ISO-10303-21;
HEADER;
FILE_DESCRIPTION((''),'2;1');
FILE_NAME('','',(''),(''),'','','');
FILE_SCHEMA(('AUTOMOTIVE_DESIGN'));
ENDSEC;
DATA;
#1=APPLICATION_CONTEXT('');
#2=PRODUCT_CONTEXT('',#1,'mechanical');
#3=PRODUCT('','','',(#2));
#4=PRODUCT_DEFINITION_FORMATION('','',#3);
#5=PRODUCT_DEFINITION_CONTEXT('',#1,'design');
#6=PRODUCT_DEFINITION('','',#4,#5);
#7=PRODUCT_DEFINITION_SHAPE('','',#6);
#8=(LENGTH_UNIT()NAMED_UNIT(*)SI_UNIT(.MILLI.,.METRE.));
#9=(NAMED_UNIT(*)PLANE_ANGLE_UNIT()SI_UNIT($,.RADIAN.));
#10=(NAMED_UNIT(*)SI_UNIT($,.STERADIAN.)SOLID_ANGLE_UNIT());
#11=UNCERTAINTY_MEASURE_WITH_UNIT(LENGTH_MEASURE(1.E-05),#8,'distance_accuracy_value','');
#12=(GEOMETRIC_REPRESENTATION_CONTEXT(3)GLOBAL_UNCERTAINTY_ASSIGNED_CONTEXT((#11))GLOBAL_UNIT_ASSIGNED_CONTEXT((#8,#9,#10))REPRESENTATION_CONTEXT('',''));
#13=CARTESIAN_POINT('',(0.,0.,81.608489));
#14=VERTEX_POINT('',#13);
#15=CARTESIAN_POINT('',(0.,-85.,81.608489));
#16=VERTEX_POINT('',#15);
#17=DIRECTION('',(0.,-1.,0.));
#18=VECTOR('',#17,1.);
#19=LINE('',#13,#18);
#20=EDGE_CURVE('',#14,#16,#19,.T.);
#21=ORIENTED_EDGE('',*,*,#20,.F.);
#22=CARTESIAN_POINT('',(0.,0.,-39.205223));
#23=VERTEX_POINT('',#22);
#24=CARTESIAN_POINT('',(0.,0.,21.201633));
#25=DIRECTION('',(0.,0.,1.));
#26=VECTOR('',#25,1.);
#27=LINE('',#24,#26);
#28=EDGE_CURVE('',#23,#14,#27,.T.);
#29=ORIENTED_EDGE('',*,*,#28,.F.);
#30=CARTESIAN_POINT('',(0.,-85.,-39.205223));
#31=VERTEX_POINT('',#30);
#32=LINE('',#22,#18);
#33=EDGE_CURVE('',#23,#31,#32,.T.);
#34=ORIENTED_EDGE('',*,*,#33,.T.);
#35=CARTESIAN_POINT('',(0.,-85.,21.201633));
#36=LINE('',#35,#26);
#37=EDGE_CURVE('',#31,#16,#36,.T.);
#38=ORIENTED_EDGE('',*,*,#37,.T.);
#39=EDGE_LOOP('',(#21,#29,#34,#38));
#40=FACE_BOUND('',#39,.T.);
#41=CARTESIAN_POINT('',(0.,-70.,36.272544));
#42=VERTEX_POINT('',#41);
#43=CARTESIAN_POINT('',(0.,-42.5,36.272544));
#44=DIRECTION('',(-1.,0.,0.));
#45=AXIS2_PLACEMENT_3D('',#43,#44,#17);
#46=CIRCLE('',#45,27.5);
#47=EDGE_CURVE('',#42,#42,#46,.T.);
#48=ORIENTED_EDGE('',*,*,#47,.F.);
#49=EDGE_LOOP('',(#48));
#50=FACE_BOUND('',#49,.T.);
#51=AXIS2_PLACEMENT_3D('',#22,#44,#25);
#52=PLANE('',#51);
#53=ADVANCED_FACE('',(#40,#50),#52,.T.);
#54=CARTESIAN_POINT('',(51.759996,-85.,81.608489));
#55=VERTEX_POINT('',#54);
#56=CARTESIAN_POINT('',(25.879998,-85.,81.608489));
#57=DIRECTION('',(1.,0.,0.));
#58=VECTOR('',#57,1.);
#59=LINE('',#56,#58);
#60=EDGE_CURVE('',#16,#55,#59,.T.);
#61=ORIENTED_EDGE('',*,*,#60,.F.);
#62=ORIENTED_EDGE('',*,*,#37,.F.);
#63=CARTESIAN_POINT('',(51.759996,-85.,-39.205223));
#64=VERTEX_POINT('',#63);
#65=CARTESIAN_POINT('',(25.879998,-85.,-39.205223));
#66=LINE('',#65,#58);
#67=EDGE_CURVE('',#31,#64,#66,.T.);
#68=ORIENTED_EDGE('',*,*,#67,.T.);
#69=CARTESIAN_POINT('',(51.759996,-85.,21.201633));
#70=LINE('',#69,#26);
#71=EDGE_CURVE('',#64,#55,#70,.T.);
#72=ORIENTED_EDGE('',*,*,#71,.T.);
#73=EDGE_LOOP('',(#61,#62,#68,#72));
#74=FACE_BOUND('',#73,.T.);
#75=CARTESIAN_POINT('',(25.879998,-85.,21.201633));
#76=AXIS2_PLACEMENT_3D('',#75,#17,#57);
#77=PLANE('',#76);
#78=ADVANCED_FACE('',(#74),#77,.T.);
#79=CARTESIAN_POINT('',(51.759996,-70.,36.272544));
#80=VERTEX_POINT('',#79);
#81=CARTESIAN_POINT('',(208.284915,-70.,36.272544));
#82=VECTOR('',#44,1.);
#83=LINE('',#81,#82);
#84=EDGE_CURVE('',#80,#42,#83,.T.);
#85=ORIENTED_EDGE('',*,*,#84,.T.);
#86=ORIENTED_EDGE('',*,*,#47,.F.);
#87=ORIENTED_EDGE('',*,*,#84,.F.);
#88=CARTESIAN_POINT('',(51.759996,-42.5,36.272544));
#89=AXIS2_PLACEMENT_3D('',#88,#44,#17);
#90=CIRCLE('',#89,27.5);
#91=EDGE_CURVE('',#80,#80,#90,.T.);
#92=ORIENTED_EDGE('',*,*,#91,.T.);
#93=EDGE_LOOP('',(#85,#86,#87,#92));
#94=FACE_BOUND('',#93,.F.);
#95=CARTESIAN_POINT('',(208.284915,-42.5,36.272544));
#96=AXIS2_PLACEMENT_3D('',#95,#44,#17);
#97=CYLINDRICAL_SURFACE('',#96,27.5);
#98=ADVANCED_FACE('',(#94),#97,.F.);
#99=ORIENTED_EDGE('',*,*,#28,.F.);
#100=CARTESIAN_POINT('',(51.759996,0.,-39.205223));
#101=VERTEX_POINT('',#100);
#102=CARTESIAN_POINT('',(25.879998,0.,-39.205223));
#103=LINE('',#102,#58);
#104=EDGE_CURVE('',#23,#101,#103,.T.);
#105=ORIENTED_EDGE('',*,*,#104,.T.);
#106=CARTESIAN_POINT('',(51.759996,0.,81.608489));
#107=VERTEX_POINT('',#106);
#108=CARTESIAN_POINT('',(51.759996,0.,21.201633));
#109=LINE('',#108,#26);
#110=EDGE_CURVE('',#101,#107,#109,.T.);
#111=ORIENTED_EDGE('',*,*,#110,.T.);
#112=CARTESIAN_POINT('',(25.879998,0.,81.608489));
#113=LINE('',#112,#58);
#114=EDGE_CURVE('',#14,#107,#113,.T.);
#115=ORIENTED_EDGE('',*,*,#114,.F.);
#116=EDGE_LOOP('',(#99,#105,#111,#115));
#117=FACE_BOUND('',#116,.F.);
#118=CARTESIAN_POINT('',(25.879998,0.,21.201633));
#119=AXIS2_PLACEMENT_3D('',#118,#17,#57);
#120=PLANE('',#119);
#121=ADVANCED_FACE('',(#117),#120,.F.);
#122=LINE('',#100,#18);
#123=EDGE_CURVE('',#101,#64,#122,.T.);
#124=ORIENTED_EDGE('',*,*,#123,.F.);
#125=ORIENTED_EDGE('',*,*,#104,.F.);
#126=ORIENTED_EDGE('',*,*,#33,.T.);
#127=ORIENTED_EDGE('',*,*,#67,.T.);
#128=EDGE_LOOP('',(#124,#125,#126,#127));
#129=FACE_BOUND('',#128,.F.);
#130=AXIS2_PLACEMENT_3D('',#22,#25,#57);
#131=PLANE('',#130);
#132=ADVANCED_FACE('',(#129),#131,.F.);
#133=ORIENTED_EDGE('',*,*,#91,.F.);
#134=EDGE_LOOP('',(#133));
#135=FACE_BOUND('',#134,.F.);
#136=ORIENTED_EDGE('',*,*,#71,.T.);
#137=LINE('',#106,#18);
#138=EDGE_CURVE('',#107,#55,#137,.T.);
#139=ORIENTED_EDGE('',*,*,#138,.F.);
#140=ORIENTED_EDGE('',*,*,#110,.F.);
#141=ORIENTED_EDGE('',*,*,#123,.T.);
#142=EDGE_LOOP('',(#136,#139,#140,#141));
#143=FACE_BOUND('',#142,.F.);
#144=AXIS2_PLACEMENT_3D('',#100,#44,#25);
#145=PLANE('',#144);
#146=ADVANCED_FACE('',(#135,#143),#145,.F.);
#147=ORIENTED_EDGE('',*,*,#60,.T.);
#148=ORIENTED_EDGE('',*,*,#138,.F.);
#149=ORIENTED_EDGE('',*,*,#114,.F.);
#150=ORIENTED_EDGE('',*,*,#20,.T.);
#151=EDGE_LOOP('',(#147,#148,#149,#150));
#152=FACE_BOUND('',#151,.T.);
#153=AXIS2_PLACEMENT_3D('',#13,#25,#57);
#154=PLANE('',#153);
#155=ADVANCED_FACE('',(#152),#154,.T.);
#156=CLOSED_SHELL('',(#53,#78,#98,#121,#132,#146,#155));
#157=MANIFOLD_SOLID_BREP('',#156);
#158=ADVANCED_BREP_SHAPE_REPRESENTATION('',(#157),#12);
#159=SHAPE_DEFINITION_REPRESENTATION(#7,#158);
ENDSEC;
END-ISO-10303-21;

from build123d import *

# Parameters (mm, degrees)
F1_W     = 51.759996
F1_H     = 120.813712
F2_DEPTH = 85
F4_D     = 55


with BuildPart() as f2:
    # F1 (on face) → F2 (new body)
    with BuildSketch(Plane.XZ):
        with Locations((25.879998, 21.201633)):
            Rectangle(F1_W, F1_H)
    extrude(amount=F2_DEPTH)

    # F4 (through all)
    with Locations(Plane.YZ.offset(51.759996)):
        with Locations((-42.5, 36.272544)):
            Hole(F4_D / 2)


solid = f2.part
